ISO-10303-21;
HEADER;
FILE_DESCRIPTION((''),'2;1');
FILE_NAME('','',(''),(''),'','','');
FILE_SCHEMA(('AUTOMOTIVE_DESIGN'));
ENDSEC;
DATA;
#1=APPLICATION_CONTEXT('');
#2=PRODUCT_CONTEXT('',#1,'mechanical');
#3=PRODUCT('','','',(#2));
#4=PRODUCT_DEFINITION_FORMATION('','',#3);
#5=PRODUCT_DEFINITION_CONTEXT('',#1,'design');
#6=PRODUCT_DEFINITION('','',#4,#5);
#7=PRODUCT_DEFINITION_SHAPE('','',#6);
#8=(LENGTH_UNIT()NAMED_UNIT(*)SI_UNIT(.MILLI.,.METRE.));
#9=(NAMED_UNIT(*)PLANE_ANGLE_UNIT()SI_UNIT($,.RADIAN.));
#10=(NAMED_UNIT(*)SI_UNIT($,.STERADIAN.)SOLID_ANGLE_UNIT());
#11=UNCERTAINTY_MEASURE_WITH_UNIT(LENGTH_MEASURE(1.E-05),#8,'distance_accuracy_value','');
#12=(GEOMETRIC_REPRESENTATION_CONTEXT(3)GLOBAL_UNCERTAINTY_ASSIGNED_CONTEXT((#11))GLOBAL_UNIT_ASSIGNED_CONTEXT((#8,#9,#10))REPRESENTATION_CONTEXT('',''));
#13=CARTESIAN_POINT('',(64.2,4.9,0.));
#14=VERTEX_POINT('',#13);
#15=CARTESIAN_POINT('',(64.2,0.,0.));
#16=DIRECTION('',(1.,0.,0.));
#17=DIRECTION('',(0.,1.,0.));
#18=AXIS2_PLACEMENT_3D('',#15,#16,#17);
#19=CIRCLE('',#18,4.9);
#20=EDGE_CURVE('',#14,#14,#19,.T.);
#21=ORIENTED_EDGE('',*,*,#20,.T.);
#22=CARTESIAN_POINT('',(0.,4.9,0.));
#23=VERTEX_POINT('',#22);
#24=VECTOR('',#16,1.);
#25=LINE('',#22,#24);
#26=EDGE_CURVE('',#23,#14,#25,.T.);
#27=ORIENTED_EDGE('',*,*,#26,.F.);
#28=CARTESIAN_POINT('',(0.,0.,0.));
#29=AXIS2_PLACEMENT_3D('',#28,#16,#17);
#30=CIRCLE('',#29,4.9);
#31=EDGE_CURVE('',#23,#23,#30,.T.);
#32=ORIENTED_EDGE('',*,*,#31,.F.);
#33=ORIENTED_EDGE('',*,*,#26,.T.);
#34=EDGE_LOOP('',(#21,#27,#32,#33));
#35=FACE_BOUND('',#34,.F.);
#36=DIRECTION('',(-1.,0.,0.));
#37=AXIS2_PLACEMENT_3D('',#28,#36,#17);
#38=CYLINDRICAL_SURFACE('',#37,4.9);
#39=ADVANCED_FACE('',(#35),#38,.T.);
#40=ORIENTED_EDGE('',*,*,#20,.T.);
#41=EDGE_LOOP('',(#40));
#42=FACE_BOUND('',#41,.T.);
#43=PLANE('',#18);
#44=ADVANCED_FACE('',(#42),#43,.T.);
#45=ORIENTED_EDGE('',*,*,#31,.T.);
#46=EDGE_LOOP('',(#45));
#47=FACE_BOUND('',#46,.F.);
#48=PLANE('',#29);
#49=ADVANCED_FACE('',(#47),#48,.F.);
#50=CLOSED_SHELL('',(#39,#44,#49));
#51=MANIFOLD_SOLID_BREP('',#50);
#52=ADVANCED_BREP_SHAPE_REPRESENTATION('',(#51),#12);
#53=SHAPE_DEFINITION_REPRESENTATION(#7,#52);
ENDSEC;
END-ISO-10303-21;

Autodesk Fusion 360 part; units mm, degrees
sketch "PivotSection" plane through (0, 0, 0) normal (1, 0, 0) x (0, 1, 0)
  circle A0 centre (0, 0) radius 4.9
  dimension "d1" = 9.8
extrude "Extrude1" add sketch "PivotSection" along normal blind 64.2
